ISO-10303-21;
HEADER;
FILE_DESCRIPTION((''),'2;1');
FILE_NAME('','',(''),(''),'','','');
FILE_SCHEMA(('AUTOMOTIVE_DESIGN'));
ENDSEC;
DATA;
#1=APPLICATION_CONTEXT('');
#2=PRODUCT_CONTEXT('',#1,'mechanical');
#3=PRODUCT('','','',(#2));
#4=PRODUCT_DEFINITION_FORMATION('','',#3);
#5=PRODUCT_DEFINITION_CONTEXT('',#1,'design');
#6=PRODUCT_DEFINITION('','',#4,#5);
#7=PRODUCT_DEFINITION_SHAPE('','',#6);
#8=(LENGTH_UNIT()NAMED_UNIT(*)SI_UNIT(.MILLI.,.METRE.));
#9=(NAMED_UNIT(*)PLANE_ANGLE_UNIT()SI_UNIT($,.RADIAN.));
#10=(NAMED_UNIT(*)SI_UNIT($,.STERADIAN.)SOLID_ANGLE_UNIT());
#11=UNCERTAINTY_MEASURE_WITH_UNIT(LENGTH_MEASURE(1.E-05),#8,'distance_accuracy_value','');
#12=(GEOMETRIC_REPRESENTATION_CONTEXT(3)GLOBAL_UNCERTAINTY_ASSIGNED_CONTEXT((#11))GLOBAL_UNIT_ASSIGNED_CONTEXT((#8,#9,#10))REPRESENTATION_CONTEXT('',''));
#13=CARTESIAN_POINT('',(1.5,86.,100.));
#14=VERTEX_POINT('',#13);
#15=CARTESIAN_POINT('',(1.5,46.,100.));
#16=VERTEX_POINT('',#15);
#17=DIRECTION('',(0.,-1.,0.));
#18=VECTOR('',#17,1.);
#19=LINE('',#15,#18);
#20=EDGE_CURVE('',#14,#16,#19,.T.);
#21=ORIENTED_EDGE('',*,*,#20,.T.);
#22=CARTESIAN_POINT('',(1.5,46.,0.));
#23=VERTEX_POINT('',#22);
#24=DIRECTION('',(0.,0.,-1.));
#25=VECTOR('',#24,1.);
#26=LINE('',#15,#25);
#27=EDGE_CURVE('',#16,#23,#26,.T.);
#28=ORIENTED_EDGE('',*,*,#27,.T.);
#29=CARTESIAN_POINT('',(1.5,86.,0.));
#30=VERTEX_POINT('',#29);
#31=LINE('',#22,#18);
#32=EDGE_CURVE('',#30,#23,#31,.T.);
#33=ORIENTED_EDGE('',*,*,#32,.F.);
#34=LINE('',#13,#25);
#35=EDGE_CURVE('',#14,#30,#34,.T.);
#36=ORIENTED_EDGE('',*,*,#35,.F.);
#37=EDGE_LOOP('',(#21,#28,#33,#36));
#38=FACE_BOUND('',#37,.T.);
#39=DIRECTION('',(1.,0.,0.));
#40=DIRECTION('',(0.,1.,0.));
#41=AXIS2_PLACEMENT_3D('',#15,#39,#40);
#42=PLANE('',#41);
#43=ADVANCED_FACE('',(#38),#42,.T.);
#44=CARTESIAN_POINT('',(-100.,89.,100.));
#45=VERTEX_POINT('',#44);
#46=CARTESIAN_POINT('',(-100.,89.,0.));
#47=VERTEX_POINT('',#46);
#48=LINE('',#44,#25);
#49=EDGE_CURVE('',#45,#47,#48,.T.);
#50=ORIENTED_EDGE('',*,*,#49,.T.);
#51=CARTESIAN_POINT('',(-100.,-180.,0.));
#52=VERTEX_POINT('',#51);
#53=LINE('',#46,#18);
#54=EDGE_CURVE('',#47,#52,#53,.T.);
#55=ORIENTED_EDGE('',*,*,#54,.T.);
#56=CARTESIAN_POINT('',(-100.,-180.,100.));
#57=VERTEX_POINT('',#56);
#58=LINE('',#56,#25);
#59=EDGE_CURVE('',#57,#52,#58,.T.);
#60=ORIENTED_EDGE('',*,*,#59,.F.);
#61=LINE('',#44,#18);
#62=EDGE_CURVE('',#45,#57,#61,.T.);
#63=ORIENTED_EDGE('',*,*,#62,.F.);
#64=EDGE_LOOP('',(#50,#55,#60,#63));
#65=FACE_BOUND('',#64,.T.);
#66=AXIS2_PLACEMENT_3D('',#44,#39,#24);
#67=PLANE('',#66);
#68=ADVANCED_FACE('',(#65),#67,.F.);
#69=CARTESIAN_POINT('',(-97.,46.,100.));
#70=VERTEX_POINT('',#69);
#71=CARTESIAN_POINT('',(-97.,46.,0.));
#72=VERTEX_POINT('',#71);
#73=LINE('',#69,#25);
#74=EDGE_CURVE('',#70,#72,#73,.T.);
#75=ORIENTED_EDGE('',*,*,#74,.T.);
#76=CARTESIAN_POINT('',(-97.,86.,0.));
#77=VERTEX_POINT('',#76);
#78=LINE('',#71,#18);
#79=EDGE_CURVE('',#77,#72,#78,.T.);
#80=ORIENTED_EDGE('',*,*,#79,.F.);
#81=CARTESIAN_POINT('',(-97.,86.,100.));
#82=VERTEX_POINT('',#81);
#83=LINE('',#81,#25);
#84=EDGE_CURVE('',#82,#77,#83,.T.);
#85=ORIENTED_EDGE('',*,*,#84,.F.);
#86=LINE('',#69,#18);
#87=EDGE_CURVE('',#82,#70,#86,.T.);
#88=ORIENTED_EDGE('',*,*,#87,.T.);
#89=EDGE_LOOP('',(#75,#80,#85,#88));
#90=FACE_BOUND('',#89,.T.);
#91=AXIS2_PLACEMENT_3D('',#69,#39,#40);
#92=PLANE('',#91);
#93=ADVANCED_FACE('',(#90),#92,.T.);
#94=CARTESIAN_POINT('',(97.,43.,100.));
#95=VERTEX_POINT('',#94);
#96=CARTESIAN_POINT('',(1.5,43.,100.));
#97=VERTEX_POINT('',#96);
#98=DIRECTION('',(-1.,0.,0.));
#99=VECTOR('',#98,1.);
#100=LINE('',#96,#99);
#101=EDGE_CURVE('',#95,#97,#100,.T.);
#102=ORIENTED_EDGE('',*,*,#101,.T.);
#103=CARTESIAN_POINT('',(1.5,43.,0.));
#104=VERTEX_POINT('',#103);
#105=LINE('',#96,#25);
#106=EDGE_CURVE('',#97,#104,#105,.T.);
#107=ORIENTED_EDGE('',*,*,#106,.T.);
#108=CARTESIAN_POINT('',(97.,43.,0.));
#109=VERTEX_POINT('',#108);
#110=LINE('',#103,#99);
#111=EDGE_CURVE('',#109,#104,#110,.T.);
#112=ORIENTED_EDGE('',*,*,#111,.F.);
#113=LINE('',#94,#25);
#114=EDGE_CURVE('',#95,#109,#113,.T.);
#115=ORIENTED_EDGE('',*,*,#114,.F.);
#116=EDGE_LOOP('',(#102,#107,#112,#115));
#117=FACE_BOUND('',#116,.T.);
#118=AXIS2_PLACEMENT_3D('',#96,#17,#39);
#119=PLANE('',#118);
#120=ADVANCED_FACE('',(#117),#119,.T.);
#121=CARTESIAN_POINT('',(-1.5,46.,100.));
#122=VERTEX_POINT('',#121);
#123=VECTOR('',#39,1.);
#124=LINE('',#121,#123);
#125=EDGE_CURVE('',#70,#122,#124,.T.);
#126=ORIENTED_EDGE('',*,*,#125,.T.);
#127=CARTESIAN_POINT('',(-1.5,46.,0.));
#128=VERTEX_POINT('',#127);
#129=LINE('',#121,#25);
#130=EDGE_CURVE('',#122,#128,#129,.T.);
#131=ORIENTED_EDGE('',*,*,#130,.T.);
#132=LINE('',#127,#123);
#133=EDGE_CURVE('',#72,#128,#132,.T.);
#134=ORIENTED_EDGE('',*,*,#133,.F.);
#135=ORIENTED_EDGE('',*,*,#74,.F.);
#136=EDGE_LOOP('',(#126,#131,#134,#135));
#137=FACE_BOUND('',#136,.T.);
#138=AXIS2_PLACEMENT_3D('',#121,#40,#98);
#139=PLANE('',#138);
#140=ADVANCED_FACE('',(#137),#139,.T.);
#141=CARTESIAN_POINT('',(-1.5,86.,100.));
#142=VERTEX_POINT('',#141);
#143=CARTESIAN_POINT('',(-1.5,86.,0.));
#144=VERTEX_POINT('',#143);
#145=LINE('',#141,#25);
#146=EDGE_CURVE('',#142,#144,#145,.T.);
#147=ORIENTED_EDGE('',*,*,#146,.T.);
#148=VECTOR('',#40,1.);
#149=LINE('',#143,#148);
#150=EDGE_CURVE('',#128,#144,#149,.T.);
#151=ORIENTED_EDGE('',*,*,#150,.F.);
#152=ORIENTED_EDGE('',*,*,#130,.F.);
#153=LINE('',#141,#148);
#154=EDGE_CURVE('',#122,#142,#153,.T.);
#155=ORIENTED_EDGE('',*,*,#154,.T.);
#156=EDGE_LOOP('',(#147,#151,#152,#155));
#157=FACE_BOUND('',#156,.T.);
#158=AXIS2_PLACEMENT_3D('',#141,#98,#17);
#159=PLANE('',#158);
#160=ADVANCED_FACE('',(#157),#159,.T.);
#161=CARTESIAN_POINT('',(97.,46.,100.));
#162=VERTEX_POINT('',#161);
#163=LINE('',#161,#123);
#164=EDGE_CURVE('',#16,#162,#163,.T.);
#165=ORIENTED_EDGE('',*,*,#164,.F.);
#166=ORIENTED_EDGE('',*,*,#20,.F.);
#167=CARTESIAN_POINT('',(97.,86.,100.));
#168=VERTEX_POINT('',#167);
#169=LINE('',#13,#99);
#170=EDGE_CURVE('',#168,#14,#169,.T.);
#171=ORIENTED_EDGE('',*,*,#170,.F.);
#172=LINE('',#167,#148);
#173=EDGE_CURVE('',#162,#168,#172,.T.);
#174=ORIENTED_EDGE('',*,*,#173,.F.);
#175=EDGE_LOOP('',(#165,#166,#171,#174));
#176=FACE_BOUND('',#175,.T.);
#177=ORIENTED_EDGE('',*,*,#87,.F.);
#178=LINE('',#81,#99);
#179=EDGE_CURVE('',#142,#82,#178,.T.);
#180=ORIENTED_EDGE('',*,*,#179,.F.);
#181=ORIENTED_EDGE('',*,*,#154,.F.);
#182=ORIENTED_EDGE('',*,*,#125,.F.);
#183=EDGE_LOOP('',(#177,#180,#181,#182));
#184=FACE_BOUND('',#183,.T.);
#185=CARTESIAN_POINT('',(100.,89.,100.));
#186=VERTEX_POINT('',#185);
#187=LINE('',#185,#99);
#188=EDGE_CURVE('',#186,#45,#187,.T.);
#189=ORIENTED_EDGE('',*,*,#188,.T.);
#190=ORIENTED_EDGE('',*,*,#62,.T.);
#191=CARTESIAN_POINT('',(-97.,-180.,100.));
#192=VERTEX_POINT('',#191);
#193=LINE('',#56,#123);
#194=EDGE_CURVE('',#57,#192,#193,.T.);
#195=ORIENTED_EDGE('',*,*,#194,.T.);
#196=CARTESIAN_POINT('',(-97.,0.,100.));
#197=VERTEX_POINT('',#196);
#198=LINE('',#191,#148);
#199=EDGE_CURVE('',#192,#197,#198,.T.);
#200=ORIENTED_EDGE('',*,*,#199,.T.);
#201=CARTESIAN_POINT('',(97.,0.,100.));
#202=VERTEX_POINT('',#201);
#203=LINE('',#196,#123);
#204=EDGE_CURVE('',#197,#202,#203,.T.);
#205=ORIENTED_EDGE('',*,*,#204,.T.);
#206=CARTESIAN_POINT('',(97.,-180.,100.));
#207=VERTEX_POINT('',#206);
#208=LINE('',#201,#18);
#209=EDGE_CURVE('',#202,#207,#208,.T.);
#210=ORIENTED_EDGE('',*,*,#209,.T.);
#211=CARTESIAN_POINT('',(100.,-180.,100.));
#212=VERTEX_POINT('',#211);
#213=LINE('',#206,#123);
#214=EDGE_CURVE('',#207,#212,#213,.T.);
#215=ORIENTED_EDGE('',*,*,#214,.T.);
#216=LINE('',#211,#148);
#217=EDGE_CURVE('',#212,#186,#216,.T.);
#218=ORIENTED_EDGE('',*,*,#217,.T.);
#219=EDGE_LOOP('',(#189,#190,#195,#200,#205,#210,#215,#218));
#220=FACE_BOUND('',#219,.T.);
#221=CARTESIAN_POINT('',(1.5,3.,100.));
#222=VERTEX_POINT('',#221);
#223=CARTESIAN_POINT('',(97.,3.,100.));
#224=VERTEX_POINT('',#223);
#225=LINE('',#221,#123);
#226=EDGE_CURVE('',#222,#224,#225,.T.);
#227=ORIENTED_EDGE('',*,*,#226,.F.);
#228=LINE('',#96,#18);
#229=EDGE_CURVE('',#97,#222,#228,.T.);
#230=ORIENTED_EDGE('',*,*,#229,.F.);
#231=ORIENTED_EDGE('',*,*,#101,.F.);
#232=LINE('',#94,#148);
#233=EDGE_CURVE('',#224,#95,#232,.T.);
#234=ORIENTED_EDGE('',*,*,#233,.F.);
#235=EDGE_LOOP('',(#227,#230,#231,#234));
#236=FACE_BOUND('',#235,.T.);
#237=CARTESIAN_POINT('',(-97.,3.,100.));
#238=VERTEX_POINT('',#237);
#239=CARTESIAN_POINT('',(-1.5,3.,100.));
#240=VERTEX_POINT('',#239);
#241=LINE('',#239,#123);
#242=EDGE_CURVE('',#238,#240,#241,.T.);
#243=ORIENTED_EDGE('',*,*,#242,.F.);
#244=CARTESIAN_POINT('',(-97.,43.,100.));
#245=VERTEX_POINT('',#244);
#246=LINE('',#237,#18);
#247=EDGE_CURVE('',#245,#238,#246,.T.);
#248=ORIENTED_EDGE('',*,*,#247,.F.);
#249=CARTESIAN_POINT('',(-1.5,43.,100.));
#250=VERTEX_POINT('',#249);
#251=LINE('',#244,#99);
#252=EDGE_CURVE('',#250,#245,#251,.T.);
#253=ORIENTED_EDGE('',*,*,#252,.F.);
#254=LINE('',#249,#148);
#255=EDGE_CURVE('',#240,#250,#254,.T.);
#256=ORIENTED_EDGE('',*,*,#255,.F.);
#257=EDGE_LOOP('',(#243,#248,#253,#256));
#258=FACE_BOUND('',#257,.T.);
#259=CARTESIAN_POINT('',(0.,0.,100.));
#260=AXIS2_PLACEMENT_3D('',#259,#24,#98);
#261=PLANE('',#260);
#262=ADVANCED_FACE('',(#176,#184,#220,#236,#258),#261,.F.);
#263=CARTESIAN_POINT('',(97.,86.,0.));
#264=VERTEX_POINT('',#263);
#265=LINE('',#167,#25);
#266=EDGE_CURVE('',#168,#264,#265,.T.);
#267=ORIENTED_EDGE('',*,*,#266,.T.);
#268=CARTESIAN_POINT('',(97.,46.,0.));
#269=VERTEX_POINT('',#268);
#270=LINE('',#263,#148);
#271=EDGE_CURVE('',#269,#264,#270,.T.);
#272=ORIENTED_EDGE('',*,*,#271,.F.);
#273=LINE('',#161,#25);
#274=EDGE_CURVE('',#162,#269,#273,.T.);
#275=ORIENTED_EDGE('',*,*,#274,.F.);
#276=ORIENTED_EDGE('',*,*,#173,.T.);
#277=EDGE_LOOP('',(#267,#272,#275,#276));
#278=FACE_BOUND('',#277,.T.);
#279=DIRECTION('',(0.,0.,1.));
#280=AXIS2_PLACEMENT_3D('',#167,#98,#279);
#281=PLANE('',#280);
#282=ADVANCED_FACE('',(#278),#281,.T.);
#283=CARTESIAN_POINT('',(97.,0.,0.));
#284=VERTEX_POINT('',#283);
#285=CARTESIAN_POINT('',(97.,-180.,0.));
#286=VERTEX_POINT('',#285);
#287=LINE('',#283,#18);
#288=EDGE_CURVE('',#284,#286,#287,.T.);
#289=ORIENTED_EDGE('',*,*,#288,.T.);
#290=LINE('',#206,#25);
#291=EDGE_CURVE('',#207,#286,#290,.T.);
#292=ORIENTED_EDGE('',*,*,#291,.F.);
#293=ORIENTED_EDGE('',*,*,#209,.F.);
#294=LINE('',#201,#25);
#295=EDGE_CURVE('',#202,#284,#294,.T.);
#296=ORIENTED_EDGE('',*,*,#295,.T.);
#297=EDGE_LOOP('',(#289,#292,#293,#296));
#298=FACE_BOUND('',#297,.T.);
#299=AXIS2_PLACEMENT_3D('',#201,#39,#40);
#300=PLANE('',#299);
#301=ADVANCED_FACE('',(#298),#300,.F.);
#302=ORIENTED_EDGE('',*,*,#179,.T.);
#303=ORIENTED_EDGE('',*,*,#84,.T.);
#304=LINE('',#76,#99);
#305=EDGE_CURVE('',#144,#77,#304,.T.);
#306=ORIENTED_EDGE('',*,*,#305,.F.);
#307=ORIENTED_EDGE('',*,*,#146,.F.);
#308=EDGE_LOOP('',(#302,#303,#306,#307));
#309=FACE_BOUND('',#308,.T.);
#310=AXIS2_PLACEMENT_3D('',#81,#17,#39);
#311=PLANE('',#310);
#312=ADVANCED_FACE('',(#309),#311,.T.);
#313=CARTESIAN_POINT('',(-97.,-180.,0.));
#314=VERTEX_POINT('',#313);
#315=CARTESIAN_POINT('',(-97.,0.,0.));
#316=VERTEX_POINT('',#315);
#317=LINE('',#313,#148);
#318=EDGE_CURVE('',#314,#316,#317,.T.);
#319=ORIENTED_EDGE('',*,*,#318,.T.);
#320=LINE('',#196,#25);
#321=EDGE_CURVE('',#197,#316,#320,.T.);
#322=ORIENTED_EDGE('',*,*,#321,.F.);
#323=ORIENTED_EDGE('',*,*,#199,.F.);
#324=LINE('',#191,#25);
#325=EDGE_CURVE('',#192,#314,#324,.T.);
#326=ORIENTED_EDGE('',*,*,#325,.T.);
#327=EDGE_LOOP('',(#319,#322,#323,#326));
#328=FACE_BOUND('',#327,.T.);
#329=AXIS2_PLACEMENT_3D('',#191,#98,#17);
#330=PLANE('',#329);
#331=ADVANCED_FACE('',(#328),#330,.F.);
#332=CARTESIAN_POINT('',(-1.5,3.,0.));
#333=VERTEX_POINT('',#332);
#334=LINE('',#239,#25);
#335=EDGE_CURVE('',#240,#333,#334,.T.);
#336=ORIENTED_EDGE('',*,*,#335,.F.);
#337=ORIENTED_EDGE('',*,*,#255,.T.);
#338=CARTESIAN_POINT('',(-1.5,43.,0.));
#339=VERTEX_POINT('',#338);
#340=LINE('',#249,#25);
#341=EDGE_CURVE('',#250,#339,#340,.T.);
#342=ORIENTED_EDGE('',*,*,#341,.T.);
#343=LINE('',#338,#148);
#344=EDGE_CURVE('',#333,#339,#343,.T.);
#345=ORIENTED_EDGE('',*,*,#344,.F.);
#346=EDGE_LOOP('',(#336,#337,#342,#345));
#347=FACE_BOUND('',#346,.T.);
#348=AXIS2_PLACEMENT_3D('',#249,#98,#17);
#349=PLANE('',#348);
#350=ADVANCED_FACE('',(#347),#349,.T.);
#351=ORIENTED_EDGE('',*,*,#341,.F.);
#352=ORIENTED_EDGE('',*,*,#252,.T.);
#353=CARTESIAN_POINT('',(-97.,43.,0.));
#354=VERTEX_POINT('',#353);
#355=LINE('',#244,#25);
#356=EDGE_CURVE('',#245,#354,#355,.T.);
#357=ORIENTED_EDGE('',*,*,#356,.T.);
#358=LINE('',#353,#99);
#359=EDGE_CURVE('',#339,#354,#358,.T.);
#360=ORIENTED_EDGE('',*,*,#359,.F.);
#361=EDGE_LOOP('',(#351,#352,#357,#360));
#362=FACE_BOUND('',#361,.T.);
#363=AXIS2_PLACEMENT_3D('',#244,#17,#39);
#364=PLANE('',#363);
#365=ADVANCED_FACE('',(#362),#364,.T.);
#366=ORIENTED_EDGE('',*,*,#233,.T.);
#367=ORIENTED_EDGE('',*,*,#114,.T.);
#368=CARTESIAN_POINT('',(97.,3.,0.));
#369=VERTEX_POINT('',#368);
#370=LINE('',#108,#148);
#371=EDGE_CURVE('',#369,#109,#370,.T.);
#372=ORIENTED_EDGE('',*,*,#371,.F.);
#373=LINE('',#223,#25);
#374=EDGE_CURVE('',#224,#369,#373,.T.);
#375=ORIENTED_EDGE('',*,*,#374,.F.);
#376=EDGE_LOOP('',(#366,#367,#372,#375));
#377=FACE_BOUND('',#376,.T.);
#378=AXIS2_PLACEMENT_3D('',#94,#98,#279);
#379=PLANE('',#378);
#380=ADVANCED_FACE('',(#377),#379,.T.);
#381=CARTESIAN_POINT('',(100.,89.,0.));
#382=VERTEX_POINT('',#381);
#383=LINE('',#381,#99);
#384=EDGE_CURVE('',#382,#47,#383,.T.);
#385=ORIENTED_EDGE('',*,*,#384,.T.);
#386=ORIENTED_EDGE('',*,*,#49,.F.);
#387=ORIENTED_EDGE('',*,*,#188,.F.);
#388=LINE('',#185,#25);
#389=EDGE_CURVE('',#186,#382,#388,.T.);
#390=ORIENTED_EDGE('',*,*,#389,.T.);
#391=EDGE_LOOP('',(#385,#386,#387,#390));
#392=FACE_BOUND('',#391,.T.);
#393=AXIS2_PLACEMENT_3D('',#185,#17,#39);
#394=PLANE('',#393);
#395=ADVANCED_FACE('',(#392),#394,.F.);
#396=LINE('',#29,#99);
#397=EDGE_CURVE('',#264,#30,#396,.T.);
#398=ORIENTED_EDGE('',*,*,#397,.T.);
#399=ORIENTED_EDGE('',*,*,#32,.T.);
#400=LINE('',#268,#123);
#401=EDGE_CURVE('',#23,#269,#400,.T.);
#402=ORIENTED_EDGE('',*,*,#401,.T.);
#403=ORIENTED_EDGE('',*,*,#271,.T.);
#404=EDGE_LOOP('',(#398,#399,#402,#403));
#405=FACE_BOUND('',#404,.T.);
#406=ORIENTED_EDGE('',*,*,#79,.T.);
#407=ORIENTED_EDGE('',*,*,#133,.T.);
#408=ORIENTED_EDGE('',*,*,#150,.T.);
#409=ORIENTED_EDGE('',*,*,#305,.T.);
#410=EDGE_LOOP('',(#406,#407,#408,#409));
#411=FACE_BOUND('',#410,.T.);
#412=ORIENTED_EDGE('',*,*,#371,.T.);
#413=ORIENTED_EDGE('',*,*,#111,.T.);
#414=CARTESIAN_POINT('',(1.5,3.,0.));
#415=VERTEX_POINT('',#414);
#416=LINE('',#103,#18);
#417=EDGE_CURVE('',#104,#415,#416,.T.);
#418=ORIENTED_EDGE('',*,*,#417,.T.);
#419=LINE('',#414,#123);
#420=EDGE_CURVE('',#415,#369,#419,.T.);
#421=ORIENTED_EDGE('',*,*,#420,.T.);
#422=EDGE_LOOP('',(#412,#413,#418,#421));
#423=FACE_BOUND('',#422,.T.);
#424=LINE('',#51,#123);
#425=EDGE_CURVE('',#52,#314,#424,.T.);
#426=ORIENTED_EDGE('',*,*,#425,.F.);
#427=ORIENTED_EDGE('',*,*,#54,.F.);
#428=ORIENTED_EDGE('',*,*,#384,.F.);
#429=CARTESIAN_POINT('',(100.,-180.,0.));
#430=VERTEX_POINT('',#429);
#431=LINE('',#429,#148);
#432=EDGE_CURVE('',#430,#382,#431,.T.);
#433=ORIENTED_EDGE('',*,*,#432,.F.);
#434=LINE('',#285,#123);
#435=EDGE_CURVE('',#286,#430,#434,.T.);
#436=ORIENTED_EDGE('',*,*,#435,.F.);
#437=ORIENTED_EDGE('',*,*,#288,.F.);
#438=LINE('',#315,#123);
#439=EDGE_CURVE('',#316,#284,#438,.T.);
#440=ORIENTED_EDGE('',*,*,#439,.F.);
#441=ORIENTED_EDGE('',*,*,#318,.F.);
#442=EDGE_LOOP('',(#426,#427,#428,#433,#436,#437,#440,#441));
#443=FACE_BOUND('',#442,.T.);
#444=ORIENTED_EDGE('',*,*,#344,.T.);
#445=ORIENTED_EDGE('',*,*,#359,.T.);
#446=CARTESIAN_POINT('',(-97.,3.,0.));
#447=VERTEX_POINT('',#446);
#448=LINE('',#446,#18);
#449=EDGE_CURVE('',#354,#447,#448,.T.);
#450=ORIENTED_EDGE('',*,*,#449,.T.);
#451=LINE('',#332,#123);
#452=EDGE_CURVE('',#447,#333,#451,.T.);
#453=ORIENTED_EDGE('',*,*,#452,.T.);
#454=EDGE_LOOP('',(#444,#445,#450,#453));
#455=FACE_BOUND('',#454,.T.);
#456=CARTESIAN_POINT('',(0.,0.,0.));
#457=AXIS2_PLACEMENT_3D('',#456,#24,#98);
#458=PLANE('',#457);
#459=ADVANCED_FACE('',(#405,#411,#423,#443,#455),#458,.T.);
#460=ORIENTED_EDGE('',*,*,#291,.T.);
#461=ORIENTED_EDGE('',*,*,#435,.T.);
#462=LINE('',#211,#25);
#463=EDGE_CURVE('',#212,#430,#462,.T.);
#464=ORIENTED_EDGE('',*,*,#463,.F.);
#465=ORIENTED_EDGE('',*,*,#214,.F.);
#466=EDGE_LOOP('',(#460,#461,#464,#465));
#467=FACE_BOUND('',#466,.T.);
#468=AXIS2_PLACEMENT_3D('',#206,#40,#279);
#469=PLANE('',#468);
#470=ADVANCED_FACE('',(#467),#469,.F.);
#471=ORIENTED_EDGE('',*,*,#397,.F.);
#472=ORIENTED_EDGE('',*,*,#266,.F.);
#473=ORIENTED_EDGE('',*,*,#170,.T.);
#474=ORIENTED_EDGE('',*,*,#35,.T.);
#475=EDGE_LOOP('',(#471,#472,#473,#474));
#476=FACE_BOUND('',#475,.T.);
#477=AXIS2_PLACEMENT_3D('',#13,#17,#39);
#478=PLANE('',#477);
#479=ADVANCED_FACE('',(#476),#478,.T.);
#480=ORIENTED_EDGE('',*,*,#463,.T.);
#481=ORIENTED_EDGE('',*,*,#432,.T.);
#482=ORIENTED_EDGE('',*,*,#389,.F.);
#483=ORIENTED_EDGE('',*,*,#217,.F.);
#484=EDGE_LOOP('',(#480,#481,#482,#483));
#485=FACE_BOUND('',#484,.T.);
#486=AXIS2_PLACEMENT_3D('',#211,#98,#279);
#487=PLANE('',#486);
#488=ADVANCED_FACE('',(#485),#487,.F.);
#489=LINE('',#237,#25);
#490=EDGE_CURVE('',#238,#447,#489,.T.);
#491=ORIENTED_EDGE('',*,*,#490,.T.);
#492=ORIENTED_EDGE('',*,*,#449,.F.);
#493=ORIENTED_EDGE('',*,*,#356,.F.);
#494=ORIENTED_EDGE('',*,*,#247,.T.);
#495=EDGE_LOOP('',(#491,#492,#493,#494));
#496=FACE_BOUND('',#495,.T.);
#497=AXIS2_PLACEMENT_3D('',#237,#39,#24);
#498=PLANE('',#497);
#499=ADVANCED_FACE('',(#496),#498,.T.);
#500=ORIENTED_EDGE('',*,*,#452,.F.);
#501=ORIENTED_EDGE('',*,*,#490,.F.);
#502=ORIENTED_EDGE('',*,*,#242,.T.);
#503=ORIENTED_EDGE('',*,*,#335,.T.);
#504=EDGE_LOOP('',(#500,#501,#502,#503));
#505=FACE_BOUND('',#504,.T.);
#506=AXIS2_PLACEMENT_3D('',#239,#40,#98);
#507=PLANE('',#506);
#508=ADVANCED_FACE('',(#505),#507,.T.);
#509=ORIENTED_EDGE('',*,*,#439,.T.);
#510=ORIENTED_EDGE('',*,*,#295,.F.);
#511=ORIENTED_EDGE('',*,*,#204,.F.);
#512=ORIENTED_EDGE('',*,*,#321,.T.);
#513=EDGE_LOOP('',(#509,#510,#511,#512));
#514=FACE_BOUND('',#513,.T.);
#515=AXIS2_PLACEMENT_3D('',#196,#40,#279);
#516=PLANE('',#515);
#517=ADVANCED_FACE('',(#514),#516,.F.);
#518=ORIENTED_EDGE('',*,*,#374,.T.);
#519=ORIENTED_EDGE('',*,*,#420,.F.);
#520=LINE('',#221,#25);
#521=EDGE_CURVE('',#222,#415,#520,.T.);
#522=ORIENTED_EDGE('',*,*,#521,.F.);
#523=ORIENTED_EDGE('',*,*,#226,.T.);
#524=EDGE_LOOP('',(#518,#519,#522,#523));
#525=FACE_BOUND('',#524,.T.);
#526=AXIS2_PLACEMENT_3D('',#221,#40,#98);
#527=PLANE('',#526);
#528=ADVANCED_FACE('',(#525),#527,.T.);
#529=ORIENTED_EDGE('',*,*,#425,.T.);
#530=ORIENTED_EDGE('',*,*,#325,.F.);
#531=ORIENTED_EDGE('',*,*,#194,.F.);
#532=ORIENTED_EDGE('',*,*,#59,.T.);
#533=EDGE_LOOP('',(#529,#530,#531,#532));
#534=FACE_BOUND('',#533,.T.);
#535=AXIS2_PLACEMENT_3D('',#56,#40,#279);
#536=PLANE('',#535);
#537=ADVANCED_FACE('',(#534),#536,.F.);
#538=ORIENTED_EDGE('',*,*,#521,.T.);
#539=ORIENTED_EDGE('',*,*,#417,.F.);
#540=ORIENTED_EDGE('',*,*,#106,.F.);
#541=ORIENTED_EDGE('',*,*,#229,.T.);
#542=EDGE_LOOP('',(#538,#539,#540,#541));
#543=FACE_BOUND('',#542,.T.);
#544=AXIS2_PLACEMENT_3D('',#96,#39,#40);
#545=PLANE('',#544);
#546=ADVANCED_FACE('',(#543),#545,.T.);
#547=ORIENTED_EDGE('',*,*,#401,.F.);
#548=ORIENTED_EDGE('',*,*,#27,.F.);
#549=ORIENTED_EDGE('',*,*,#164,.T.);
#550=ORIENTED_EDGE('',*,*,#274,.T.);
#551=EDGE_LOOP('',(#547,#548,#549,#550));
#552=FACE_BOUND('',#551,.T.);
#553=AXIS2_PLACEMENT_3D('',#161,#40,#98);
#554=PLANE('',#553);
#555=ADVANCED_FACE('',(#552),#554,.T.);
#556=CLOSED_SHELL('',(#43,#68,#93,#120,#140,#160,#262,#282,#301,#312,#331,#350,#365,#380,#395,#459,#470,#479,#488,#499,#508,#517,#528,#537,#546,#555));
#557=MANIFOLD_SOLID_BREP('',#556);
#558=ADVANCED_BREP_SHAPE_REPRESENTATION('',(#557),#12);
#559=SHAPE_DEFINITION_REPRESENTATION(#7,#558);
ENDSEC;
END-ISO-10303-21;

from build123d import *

# Parameters (mm, degrees)
SKETCH1_W           = 95.5
SKETCH1_H           = 40
BOSS_EXTRUDE1_DEPTH = 100


with BuildPart() as part:
    # Sketch1 → Boss-Extrude1 (new body)
    with BuildSketch(Plane.XY):
        Polygon((-97, 0), (97, 0), (97, -180), (100, -180), (100, 89), (-100, 89), (-100, -180), (-97, -180), align=None)
        with Locations((-49.25, 23)):
            Rectangle(SKETCH1_W, SKETCH1_H, mode=Mode.SUBTRACT)
        with Locations((-49.25, 66)):
            Rectangle(SKETCH1_W, SKETCH1_H, mode=Mode.SUBTRACT)
        with Locations((49.25, 66)):
            Rectangle(SKETCH1_W, SKETCH1_H, mode=Mode.SUBTRACT)
        with Locations((49.25, 23)):
            Rectangle(SKETCH1_W, SKETCH1_H, mode=Mode.SUBTRACT)
    extrude(amount=BOSS_EXTRUDE1_DEPTH)


solid = part.part
